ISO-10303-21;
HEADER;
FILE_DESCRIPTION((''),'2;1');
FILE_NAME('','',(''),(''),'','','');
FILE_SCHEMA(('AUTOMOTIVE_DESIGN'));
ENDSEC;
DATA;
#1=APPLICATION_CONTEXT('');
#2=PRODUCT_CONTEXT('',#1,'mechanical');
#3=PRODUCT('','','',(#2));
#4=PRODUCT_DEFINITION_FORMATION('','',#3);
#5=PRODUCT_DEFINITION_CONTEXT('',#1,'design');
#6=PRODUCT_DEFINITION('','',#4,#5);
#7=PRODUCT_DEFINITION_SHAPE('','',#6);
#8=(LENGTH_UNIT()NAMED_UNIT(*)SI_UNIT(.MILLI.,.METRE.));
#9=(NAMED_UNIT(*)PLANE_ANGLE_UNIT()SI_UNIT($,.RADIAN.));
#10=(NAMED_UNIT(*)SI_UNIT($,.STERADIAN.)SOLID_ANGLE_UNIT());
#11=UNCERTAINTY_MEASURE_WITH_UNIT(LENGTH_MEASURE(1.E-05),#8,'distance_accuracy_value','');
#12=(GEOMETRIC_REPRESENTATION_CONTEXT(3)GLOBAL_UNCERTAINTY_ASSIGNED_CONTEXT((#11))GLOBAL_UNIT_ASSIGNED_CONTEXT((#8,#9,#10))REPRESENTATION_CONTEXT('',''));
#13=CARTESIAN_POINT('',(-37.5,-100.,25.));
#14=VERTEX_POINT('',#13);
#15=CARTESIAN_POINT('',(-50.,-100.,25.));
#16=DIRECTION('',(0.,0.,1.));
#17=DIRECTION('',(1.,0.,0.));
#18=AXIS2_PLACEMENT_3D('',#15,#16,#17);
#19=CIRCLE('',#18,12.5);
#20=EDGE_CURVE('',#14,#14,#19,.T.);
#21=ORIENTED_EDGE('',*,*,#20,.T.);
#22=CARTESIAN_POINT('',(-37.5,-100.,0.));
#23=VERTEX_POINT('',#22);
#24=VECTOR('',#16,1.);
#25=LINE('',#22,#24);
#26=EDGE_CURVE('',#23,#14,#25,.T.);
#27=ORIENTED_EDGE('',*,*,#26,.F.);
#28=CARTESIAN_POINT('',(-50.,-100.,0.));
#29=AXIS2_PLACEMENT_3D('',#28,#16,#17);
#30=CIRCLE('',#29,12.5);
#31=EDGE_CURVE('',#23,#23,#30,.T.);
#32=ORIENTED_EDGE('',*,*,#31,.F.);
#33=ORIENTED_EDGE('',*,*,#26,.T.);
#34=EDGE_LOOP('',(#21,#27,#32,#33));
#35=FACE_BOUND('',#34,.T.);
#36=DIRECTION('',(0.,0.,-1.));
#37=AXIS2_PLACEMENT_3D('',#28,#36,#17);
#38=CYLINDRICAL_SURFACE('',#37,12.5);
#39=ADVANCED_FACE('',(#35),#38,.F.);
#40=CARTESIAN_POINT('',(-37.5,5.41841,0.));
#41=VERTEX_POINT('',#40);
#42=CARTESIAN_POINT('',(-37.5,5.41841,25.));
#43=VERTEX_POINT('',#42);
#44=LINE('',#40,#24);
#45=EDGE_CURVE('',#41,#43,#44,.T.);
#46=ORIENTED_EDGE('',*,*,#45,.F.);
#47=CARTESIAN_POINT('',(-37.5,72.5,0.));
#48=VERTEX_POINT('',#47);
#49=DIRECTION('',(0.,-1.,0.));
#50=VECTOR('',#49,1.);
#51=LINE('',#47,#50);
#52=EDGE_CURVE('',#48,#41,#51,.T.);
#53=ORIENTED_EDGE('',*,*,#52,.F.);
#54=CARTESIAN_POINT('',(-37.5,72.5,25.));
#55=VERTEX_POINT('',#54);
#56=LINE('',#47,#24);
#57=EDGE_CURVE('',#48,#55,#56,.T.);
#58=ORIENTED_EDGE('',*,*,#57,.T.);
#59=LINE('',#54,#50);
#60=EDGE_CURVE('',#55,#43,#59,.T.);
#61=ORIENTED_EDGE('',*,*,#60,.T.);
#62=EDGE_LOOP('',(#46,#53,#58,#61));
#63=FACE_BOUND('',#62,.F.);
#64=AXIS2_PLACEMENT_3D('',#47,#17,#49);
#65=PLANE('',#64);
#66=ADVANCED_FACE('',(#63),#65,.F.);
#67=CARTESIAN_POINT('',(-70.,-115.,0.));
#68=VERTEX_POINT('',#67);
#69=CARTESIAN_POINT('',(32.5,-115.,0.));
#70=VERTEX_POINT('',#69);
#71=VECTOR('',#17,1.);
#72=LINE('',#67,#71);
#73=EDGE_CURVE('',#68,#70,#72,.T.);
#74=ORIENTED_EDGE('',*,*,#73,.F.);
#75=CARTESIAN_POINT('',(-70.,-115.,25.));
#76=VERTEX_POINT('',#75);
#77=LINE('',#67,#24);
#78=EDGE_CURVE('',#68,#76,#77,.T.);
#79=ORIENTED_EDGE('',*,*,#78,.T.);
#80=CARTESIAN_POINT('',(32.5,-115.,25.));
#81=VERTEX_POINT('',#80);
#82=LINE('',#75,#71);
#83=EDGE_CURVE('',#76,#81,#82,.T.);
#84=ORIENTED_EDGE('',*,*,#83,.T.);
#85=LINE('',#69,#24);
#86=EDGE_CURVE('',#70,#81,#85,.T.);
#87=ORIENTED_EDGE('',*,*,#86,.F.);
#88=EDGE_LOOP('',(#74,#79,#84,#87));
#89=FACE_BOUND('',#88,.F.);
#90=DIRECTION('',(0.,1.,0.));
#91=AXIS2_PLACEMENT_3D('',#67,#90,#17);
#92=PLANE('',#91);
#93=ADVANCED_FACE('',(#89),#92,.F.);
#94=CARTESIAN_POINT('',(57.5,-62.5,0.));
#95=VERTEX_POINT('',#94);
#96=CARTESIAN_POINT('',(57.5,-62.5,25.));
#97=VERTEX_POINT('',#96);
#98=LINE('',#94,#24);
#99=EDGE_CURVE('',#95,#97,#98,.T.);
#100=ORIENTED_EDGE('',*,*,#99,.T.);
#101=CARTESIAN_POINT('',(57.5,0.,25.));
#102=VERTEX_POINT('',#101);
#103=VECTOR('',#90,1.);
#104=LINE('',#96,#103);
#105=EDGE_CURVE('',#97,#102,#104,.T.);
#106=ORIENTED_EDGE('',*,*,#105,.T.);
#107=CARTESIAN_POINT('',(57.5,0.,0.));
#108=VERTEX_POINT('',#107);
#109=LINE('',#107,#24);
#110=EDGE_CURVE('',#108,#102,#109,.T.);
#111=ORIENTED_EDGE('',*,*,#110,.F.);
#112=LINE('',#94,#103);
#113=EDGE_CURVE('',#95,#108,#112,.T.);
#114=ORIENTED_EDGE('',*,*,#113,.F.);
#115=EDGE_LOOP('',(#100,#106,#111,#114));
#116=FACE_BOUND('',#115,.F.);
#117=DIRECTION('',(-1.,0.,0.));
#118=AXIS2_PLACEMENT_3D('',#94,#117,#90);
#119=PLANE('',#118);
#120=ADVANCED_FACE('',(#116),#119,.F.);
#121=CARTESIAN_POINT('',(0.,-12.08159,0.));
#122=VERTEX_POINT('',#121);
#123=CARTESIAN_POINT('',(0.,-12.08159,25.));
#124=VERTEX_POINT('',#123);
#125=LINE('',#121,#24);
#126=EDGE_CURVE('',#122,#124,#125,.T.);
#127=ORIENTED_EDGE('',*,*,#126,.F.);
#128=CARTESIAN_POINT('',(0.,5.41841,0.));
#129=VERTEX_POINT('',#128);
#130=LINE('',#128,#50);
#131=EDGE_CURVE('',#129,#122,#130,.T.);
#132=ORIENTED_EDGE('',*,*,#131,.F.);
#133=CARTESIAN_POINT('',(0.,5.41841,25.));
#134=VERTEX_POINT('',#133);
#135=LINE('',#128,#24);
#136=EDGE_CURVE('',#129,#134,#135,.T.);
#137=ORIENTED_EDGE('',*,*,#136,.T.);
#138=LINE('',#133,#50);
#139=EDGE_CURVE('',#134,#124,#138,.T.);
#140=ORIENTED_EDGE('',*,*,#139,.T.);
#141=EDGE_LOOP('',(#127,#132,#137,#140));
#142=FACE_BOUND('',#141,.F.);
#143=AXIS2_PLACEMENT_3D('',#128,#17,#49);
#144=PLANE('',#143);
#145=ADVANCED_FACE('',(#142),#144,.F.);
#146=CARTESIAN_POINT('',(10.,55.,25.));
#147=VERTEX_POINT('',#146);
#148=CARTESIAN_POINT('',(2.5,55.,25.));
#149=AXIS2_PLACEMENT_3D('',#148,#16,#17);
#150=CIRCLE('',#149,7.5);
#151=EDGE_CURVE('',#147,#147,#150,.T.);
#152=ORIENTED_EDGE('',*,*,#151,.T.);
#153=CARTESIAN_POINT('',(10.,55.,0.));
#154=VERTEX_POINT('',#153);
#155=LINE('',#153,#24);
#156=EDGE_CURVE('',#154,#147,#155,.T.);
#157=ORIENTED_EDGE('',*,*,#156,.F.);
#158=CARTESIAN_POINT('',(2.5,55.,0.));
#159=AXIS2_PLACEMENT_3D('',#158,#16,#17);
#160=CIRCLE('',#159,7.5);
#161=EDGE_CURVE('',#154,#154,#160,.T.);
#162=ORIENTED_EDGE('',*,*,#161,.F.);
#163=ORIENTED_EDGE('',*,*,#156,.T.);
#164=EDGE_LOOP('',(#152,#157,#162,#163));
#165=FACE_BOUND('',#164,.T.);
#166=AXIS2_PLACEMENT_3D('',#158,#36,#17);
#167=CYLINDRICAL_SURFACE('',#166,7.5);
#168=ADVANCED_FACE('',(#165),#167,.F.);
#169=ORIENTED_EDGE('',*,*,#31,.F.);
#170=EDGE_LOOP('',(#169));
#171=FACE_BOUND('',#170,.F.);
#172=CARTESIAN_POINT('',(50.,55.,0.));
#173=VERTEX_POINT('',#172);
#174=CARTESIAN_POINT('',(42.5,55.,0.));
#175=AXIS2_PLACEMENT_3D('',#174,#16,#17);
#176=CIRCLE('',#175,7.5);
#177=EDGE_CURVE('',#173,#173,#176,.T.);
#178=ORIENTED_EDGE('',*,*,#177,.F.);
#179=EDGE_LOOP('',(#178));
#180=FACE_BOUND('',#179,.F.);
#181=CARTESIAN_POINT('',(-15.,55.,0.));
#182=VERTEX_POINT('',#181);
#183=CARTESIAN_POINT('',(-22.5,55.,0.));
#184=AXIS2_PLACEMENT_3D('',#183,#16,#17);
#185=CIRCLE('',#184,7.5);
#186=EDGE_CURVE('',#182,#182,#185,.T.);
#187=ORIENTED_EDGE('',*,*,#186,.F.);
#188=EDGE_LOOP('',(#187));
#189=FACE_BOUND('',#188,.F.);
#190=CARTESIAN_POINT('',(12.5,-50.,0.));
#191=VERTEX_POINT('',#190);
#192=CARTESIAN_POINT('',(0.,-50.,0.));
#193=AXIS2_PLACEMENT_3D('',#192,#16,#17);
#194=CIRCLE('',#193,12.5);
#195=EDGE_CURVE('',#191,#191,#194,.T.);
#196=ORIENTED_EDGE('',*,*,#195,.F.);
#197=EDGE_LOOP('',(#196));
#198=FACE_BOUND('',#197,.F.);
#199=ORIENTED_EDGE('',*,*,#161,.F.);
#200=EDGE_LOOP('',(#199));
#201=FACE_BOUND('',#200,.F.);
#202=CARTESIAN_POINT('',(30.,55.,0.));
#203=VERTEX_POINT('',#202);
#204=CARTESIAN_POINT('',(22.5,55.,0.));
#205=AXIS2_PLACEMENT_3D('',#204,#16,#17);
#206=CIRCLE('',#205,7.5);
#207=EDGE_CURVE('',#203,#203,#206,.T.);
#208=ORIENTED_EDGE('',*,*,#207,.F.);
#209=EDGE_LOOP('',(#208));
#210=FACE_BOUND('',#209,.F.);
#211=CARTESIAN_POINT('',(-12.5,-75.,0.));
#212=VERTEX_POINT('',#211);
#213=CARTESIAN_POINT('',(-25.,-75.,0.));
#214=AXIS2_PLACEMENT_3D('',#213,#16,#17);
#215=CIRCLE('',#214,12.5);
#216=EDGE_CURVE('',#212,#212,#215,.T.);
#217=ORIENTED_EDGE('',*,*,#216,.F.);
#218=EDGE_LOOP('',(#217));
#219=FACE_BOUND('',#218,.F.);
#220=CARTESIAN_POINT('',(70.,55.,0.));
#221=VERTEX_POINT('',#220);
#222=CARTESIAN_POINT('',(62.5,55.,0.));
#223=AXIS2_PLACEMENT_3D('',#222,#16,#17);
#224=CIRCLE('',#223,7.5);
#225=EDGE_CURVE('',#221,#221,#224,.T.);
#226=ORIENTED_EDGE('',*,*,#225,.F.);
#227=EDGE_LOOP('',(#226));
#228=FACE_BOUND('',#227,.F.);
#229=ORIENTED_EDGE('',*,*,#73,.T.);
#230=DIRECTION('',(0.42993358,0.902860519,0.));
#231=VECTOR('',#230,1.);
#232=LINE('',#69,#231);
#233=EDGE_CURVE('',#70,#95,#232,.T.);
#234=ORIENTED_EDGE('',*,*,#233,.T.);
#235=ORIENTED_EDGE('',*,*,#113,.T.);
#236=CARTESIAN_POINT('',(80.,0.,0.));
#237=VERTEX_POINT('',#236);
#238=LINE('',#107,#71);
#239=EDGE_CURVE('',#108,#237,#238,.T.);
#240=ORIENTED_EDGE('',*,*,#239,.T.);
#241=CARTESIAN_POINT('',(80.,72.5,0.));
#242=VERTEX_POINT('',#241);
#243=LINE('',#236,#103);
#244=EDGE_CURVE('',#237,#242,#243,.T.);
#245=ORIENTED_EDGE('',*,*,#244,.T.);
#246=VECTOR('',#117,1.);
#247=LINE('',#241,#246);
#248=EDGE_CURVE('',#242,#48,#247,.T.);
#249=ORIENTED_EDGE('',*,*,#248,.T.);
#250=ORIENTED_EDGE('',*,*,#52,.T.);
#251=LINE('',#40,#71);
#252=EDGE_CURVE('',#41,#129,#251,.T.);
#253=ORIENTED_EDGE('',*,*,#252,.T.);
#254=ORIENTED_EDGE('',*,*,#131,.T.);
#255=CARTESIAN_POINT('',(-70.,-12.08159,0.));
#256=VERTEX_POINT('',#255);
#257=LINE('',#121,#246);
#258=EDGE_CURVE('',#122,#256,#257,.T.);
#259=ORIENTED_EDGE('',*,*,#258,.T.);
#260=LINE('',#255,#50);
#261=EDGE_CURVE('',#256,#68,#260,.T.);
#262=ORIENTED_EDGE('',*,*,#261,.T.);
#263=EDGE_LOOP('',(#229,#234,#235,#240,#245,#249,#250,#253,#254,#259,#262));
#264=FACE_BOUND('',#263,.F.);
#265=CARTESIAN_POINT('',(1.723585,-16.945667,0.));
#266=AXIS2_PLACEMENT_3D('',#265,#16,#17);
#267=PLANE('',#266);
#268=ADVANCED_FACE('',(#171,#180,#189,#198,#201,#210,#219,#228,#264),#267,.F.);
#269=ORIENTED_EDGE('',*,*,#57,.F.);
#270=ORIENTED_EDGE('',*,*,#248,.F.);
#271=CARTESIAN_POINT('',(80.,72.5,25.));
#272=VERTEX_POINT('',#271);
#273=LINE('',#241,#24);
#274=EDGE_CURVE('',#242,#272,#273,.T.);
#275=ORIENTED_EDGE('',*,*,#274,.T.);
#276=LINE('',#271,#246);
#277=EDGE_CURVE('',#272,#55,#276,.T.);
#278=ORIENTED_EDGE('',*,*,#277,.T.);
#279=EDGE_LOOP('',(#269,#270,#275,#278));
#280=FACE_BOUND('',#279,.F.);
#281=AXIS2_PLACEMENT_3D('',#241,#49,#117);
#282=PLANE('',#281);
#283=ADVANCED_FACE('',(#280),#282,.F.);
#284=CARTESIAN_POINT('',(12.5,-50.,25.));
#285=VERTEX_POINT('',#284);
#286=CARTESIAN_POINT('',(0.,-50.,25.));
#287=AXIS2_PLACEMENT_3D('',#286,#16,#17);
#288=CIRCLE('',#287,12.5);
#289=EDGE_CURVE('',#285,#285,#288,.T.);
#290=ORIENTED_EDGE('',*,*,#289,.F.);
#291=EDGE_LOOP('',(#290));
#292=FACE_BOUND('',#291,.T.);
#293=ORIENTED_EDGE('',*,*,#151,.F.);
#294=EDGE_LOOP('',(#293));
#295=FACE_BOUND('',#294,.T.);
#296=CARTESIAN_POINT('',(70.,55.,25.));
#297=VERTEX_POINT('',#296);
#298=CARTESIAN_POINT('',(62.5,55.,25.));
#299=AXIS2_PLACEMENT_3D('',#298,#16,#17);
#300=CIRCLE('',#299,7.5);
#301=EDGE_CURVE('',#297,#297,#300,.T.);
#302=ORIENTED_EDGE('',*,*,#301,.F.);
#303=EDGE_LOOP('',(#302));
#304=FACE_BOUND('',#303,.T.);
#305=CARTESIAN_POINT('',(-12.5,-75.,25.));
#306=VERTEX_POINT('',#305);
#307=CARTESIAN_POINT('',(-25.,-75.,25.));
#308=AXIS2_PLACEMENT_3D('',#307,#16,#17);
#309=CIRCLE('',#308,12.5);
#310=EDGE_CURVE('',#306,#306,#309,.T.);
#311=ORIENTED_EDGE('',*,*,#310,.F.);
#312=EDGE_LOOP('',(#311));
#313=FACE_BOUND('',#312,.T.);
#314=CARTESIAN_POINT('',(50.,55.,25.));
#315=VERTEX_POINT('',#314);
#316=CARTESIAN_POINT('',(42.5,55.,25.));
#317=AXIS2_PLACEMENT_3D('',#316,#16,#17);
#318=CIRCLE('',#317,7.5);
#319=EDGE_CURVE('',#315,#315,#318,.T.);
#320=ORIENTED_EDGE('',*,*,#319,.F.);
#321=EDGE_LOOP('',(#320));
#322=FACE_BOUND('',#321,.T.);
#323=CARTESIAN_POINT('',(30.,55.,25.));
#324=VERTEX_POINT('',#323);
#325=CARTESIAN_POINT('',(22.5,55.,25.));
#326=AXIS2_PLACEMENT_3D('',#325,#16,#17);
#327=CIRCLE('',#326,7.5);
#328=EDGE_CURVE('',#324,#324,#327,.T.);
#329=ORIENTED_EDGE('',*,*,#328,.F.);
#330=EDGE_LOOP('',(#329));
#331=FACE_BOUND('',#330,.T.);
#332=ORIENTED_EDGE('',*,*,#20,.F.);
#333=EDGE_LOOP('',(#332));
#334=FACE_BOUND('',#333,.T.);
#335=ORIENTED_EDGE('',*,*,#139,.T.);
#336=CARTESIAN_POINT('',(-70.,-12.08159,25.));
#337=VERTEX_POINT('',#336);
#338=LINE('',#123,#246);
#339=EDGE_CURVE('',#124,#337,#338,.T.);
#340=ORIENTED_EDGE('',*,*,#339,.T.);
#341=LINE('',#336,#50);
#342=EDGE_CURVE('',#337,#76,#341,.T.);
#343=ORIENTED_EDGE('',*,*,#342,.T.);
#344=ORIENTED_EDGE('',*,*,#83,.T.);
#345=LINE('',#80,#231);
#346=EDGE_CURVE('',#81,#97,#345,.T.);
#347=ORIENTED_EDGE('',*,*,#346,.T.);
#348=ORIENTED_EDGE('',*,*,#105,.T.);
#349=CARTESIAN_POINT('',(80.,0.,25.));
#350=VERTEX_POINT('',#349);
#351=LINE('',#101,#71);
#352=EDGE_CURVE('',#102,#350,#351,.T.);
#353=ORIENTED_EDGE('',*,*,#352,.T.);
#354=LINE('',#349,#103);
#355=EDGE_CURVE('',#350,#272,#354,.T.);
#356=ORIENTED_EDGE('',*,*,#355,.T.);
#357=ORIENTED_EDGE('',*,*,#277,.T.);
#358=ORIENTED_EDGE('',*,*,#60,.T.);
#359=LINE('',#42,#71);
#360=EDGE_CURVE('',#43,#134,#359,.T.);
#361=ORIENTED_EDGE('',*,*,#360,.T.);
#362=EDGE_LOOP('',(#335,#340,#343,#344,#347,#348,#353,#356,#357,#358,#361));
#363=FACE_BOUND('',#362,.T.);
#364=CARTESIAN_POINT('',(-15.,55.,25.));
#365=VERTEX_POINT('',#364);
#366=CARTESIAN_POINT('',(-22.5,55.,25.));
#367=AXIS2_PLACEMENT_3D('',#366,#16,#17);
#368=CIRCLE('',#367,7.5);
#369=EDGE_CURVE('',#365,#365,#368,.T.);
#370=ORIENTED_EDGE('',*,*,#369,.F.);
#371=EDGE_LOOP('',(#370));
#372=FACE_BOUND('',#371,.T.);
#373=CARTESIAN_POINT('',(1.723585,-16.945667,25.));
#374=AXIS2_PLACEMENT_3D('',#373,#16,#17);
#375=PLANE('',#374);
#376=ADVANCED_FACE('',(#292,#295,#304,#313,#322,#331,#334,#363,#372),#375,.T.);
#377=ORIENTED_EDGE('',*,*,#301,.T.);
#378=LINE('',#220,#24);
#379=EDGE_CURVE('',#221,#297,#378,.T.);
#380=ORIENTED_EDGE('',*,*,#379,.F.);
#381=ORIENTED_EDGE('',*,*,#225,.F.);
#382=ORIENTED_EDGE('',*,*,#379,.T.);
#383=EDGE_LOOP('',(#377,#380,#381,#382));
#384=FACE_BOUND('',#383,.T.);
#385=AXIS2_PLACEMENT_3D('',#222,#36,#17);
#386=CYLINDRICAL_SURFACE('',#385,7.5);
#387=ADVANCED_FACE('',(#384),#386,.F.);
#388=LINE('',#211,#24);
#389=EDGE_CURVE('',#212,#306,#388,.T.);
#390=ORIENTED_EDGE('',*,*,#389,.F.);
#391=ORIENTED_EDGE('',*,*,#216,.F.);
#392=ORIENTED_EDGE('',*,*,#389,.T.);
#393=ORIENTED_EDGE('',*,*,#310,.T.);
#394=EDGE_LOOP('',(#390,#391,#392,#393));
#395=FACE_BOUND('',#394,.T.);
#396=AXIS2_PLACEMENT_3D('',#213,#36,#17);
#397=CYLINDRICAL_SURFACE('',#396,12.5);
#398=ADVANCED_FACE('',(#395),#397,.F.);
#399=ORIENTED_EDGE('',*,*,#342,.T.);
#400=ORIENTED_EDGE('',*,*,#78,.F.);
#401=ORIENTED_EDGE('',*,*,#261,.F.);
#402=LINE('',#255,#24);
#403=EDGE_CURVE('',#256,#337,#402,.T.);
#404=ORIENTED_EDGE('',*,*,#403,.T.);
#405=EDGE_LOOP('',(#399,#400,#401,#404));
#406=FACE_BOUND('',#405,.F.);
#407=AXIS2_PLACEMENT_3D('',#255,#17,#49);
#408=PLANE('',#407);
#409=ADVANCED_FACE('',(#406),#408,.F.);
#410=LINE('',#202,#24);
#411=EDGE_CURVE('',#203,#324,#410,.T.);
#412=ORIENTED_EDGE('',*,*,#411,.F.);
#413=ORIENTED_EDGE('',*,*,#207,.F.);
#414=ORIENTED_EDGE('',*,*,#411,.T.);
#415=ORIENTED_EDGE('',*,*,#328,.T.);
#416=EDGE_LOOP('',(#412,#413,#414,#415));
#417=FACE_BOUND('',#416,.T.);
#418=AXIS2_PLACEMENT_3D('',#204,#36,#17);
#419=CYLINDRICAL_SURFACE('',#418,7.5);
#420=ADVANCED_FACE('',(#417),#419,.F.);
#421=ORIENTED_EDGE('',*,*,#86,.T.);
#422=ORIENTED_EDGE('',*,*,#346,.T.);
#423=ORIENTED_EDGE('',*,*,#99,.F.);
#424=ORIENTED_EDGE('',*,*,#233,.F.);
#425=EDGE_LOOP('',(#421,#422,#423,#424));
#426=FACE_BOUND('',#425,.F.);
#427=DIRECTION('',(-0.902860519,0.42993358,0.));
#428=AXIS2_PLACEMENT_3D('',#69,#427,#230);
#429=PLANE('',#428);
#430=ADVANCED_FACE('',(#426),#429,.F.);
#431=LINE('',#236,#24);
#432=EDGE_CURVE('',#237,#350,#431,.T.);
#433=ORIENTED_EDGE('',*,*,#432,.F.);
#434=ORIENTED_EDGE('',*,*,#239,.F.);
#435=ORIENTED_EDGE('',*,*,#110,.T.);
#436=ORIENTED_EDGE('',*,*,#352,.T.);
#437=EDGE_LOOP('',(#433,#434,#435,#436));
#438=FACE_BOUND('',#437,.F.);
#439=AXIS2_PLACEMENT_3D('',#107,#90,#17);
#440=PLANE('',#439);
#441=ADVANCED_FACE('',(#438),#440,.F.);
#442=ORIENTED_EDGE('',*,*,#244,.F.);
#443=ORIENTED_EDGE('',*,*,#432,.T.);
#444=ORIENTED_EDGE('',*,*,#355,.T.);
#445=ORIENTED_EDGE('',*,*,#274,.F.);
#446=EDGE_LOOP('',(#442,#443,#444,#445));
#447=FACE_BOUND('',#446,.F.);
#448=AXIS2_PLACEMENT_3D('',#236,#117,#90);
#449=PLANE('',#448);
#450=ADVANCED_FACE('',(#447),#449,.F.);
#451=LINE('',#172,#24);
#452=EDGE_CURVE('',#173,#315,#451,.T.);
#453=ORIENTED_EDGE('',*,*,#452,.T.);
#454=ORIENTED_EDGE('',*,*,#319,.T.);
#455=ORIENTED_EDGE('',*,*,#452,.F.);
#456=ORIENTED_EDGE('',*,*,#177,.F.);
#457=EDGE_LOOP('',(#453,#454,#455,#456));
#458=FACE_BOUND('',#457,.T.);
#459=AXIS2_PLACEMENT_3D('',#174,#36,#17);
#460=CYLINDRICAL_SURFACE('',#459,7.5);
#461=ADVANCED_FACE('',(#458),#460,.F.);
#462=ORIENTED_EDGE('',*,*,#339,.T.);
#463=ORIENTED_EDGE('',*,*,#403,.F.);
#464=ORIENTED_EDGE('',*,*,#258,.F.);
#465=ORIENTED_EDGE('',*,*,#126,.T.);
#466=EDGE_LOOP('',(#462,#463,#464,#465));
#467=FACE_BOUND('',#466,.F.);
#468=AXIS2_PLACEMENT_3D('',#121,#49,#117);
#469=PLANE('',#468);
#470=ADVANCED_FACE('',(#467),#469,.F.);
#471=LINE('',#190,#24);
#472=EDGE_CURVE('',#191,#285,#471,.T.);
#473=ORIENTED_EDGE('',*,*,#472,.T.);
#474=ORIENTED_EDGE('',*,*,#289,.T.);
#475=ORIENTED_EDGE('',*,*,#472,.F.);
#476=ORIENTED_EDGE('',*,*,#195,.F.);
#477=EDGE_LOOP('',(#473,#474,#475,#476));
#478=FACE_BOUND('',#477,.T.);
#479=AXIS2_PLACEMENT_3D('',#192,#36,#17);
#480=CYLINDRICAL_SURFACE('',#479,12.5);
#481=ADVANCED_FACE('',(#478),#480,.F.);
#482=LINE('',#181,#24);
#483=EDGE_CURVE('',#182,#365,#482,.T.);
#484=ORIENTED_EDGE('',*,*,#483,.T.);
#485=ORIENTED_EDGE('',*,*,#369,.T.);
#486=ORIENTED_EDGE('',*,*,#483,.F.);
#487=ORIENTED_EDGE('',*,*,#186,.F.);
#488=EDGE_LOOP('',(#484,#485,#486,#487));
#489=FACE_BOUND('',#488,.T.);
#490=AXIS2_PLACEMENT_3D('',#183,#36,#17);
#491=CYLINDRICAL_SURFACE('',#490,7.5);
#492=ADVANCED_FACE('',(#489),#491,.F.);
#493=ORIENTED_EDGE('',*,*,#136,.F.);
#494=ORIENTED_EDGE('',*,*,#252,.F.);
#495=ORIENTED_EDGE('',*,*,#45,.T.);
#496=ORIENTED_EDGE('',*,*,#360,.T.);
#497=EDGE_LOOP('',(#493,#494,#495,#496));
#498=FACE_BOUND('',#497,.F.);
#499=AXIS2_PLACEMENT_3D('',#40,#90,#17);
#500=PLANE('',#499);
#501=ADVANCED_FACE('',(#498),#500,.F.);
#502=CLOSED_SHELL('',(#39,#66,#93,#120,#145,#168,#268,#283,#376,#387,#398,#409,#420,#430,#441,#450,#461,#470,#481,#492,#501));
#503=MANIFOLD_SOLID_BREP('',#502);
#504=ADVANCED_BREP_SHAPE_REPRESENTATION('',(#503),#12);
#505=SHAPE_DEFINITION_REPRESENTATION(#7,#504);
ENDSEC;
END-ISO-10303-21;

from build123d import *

# Parameters (mm, degrees)
F0_R     = 12.5
F0_R_2   = 7.5
F1_DEPTH = 25


with BuildPart() as f1:
    # F0 (on Top) → F1 (new body)
    with BuildSketch(Plane.XY):
        Polygon((0, -12.08159), (-70, -12.08159), (-70, -115), (32.5, -115), (57.5, -62.5), (57.5, 0), (80, 0), (80, 72.5), (-37.5, 72.5), (-37.5, 5.41841), (0, 5.41841), align=None)
        with Locations((-50, -100)):
            Circle(F0_R, mode=Mode.SUBTRACT)
        with Locations((-25, -75)):
            Circle(F0_R, mode=Mode.SUBTRACT)
        with Locations((0, -50)):
            Circle(F0_R, mode=Mode.SUBTRACT)
        with Locations((-22.5, 55)):
            Circle(F0_R_2, mode=Mode.SUBTRACT)
        with Locations((2.5, 55)):
            Circle(F0_R_2, mode=Mode.SUBTRACT)
        with Locations((22.5, 55)):
            Circle(F0_R_2, mode=Mode.SUBTRACT)
        with Locations((42.5, 55)):
            Circle(F0_R_2, mode=Mode.SUBTRACT)
        with Locations((62.5, 55)):
            Circle(F0_R_2, mode=Mode.SUBTRACT)
    extrude(amount=F1_DEPTH)


solid = f1.part
